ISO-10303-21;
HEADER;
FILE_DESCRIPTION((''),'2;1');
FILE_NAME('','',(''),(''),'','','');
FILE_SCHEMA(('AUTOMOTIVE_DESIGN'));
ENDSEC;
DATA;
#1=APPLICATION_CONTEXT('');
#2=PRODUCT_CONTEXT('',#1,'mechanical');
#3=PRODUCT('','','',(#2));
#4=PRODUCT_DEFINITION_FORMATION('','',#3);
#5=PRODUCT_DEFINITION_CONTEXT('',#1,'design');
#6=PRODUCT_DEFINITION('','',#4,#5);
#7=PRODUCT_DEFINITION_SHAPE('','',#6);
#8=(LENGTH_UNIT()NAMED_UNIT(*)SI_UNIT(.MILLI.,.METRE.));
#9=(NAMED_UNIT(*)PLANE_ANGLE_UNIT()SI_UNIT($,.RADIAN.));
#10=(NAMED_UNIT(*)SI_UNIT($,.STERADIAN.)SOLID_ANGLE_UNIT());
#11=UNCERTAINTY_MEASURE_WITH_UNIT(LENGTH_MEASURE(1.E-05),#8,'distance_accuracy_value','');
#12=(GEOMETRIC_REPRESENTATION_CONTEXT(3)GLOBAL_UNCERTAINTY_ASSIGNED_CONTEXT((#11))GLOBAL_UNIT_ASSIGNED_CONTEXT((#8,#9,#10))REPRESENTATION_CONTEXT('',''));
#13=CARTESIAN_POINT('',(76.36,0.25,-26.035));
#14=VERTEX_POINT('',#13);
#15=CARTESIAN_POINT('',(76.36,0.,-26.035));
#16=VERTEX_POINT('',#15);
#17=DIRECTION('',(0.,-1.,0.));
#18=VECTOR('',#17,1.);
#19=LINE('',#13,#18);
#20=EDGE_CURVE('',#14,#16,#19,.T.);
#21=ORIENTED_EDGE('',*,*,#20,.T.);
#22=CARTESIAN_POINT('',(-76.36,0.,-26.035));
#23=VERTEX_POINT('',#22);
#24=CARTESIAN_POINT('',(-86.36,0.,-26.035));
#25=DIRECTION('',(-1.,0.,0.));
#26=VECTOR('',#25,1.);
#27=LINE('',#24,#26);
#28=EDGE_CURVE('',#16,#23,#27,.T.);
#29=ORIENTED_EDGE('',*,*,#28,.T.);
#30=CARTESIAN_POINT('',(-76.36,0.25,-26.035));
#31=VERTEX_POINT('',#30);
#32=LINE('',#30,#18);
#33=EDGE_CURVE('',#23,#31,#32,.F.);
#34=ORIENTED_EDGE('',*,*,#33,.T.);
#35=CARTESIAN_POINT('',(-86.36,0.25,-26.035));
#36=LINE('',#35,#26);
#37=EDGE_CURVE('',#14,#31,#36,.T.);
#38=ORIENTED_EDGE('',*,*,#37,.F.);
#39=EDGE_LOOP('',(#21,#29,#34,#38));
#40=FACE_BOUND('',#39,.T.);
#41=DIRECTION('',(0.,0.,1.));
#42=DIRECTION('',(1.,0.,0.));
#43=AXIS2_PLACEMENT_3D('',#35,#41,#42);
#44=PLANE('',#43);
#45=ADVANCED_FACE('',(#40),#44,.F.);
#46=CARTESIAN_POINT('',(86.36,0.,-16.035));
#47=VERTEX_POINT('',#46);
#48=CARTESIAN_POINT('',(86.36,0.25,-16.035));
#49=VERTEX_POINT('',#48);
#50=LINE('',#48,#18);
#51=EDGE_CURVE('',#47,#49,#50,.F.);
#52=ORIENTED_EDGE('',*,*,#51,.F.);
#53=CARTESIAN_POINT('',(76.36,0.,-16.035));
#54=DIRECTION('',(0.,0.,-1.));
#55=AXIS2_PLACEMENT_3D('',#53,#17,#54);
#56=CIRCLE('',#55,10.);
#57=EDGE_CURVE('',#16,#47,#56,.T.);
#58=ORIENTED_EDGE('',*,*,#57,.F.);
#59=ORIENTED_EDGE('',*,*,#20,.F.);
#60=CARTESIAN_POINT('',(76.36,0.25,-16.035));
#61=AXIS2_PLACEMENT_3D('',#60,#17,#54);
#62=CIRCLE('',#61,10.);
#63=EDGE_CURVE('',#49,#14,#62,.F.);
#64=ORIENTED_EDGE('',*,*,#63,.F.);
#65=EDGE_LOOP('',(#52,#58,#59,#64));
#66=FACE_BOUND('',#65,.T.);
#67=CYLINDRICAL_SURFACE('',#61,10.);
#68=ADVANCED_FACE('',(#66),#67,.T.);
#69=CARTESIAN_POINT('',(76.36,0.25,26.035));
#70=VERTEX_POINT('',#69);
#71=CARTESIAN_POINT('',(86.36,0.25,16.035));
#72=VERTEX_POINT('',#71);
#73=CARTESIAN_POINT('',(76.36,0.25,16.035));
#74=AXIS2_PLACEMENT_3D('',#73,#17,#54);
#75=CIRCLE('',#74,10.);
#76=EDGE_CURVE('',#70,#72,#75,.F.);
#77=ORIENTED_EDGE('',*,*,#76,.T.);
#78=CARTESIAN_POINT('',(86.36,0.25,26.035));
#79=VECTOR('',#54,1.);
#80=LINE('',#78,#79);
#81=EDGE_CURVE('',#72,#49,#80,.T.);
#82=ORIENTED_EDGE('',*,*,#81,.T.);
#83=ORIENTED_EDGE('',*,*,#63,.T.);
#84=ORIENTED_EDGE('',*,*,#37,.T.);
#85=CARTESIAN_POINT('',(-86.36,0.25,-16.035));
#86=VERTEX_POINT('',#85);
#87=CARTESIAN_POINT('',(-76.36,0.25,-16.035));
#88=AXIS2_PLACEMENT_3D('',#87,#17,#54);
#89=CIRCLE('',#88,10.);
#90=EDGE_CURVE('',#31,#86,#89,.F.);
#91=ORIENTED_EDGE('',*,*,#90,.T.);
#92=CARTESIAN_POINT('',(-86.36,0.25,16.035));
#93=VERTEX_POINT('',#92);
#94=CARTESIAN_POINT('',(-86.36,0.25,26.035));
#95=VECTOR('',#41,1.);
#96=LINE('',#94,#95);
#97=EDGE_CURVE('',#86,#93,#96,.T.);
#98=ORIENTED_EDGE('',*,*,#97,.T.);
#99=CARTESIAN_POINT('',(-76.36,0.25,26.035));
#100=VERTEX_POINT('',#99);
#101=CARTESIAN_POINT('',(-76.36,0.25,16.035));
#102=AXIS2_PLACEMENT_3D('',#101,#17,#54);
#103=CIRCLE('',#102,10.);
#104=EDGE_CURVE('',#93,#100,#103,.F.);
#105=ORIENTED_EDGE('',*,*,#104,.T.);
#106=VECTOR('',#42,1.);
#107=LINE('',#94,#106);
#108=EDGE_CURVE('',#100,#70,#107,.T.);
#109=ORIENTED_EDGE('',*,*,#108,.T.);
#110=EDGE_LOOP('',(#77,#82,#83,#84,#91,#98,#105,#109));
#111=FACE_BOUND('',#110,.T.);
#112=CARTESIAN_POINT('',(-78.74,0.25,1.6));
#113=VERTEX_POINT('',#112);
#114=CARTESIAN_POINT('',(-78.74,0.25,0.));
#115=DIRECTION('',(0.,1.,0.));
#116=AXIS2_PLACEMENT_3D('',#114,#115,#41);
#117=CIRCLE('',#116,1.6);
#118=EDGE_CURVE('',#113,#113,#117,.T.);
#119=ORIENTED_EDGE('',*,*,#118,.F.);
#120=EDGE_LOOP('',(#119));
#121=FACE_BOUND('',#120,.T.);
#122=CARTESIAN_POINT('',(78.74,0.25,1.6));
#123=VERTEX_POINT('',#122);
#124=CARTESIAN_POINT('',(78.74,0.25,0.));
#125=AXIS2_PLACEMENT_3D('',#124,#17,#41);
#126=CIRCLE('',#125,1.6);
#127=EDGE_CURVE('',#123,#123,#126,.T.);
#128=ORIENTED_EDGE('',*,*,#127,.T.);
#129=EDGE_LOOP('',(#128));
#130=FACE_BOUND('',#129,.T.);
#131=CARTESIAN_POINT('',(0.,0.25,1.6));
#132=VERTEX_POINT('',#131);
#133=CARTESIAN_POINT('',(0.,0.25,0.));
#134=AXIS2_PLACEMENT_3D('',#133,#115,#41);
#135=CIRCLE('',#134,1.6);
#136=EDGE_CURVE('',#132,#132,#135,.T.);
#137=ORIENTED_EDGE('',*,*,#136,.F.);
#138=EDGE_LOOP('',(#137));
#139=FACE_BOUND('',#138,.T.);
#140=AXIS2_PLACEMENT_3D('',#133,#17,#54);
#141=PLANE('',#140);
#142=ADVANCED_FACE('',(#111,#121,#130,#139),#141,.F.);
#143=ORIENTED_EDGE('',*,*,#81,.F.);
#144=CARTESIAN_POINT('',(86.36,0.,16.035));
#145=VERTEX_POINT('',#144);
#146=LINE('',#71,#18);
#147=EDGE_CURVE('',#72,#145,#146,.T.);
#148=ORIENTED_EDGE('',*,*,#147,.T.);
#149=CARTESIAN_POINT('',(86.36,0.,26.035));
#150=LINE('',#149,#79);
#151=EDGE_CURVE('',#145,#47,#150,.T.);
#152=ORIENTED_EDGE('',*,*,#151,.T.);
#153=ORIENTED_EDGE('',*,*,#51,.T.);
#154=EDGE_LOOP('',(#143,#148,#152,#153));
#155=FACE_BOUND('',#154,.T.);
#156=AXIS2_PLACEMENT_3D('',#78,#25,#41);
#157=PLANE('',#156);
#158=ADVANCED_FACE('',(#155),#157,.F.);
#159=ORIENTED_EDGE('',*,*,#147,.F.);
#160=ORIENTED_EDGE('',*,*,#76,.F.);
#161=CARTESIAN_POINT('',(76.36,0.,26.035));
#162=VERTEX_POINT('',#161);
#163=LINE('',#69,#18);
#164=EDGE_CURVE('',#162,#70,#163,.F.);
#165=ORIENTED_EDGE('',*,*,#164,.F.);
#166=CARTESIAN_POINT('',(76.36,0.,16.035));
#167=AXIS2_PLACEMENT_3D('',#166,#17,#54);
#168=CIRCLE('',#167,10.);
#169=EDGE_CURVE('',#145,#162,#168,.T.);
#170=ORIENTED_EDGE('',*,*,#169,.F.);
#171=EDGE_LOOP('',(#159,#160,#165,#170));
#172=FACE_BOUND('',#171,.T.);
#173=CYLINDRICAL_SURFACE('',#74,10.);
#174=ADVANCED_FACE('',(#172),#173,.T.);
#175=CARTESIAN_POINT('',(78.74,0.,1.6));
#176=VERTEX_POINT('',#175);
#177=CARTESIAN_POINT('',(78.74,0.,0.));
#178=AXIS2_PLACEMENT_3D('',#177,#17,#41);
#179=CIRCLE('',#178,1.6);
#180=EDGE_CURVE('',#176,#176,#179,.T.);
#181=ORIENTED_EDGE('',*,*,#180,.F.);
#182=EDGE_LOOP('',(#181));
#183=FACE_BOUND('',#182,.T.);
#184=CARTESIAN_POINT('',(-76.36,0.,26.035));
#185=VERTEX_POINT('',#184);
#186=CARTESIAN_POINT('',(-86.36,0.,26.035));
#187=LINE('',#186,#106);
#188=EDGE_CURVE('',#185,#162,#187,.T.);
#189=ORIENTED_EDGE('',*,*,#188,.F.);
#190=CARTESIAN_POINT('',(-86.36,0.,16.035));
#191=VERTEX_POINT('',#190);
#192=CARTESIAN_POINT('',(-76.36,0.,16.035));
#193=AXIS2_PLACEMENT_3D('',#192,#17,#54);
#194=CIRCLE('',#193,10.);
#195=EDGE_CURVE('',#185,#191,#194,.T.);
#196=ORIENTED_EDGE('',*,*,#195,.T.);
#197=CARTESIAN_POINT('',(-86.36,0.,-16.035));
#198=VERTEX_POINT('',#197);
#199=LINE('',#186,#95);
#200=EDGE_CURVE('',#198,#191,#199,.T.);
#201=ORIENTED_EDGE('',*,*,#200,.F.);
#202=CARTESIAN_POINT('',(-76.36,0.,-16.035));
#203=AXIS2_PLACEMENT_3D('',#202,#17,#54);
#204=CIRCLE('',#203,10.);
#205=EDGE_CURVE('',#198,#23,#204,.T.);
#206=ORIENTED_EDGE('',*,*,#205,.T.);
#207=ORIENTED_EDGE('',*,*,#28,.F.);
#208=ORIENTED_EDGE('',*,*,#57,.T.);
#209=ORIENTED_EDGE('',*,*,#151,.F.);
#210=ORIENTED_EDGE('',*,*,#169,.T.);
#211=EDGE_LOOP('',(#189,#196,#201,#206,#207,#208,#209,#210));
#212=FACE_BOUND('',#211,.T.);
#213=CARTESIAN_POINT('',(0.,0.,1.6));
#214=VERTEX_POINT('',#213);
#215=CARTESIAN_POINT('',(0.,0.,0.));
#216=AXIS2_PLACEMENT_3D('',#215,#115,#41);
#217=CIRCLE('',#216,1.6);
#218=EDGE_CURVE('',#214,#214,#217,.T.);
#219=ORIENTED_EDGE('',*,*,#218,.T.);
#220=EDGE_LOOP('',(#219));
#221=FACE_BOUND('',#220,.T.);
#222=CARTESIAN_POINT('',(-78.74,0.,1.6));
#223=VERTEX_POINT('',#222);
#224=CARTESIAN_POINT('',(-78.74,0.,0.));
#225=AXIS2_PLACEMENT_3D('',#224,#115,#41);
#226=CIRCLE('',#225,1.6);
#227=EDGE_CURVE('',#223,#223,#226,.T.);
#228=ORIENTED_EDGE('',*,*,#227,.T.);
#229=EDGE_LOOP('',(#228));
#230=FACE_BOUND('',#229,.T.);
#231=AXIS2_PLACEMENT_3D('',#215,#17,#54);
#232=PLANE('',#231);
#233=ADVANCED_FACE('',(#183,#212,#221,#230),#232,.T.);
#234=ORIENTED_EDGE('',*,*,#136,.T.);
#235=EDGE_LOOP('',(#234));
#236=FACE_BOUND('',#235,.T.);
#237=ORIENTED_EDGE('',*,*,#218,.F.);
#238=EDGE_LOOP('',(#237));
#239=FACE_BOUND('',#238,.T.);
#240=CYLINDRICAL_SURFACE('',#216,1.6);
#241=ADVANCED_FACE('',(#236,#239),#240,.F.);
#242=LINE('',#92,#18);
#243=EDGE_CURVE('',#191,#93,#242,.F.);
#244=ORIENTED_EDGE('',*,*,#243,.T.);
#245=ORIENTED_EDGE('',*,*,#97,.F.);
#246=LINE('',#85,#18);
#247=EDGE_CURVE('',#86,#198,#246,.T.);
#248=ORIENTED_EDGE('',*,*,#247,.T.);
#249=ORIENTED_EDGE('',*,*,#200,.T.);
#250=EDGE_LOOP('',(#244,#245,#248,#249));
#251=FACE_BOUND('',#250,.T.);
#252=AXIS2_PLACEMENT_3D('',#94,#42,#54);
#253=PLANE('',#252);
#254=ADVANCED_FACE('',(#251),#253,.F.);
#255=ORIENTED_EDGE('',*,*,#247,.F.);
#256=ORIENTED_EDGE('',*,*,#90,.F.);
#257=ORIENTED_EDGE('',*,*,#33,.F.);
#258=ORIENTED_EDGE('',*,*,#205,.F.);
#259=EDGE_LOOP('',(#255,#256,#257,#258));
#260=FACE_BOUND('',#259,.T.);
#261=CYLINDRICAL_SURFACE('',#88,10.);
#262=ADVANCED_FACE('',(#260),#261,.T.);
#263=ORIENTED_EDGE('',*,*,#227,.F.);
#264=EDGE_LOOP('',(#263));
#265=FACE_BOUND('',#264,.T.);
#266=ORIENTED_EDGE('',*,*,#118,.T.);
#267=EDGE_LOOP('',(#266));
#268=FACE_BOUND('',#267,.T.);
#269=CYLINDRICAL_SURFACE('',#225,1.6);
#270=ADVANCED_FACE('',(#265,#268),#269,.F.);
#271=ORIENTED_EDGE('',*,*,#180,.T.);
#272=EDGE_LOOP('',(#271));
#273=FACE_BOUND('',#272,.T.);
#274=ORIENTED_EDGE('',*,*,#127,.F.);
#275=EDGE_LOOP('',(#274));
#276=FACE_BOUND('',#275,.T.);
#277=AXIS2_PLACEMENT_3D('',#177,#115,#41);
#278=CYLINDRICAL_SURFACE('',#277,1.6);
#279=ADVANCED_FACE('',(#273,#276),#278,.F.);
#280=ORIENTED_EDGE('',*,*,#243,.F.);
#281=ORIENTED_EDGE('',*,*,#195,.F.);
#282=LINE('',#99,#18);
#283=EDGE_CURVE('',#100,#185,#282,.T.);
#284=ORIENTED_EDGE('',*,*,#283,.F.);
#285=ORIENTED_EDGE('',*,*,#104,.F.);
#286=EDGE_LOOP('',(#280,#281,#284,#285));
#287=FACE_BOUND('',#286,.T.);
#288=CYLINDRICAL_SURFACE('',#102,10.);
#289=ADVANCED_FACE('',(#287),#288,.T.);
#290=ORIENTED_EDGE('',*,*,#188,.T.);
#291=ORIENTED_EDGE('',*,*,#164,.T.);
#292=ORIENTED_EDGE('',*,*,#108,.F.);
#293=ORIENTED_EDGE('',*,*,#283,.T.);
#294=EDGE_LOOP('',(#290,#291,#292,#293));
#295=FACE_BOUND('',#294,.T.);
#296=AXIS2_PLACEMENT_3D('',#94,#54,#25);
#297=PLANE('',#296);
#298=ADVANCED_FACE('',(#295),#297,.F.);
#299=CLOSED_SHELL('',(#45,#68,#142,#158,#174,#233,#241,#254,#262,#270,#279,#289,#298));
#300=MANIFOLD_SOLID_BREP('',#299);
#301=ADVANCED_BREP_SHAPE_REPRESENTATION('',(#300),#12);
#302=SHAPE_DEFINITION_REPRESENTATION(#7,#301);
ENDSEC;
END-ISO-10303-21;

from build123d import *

# Parameters (mm, degrees)
SKETCH1_W           = 172.72
SKETCH1_H           = 52.07
BOSS_EXTRUDE1_DEPTH = 0.25
FILLET1_R           = 10
SKETCH2_R           = 1.6
CUT_EXTRUDE1_DEPTH  = 91.199408673


with BuildPart() as part:
    # Sketch1 → Boss-Extrude1 (new body)
    with BuildSketch(Plane(origin=(0, 0, 0), x_dir=(1, 0, 0), z_dir=(0, 1, 0))):
        Rectangle(SKETCH1_W, SKETCH1_H)
    extrude(amount=BOSS_EXTRUDE1_DEPTH)

    # Fillet1
    fillet1_edges = [part.edges().sort_by_distance(p)[0] for p in [
        (86.36, 0.125, 26.035),
        (-86.36, 0.125, 26.035),
        (-86.36, 0.125, -26.035),
        (86.36, 0.125, -26.035),
    ]]
    fillet(fillet1_edges, radius=FILLET1_R)

    # Sketch2 → Cut-Extrude1 (cut, through all)
    with BuildSketch(Plane(origin=(0, 0.25, 0), x_dir=(1, 0, 0), z_dir=(0, 1, 0))):
        with Locations(Location((-78.74, 0, 0), (0, 0, 270))):
            Circle(SKETCH2_R)
        with Locations(Location((0, 0, 0), (0, 0, 270))):
            Circle(SKETCH2_R)
    cut_extrude1 = extrude(amount=-CUT_EXTRUDE1_DEPTH, mode=Mode.SUBTRACT)

    # Mirror1: Cut-Extrude1 across plane
    add(cut_extrude1.mirror(Plane(origin=(0, 0, 0), x_dir=(0, 0, 1), z_dir=(1, 0, 0))), mode=Mode.SUBTRACT)


solid = part.part
